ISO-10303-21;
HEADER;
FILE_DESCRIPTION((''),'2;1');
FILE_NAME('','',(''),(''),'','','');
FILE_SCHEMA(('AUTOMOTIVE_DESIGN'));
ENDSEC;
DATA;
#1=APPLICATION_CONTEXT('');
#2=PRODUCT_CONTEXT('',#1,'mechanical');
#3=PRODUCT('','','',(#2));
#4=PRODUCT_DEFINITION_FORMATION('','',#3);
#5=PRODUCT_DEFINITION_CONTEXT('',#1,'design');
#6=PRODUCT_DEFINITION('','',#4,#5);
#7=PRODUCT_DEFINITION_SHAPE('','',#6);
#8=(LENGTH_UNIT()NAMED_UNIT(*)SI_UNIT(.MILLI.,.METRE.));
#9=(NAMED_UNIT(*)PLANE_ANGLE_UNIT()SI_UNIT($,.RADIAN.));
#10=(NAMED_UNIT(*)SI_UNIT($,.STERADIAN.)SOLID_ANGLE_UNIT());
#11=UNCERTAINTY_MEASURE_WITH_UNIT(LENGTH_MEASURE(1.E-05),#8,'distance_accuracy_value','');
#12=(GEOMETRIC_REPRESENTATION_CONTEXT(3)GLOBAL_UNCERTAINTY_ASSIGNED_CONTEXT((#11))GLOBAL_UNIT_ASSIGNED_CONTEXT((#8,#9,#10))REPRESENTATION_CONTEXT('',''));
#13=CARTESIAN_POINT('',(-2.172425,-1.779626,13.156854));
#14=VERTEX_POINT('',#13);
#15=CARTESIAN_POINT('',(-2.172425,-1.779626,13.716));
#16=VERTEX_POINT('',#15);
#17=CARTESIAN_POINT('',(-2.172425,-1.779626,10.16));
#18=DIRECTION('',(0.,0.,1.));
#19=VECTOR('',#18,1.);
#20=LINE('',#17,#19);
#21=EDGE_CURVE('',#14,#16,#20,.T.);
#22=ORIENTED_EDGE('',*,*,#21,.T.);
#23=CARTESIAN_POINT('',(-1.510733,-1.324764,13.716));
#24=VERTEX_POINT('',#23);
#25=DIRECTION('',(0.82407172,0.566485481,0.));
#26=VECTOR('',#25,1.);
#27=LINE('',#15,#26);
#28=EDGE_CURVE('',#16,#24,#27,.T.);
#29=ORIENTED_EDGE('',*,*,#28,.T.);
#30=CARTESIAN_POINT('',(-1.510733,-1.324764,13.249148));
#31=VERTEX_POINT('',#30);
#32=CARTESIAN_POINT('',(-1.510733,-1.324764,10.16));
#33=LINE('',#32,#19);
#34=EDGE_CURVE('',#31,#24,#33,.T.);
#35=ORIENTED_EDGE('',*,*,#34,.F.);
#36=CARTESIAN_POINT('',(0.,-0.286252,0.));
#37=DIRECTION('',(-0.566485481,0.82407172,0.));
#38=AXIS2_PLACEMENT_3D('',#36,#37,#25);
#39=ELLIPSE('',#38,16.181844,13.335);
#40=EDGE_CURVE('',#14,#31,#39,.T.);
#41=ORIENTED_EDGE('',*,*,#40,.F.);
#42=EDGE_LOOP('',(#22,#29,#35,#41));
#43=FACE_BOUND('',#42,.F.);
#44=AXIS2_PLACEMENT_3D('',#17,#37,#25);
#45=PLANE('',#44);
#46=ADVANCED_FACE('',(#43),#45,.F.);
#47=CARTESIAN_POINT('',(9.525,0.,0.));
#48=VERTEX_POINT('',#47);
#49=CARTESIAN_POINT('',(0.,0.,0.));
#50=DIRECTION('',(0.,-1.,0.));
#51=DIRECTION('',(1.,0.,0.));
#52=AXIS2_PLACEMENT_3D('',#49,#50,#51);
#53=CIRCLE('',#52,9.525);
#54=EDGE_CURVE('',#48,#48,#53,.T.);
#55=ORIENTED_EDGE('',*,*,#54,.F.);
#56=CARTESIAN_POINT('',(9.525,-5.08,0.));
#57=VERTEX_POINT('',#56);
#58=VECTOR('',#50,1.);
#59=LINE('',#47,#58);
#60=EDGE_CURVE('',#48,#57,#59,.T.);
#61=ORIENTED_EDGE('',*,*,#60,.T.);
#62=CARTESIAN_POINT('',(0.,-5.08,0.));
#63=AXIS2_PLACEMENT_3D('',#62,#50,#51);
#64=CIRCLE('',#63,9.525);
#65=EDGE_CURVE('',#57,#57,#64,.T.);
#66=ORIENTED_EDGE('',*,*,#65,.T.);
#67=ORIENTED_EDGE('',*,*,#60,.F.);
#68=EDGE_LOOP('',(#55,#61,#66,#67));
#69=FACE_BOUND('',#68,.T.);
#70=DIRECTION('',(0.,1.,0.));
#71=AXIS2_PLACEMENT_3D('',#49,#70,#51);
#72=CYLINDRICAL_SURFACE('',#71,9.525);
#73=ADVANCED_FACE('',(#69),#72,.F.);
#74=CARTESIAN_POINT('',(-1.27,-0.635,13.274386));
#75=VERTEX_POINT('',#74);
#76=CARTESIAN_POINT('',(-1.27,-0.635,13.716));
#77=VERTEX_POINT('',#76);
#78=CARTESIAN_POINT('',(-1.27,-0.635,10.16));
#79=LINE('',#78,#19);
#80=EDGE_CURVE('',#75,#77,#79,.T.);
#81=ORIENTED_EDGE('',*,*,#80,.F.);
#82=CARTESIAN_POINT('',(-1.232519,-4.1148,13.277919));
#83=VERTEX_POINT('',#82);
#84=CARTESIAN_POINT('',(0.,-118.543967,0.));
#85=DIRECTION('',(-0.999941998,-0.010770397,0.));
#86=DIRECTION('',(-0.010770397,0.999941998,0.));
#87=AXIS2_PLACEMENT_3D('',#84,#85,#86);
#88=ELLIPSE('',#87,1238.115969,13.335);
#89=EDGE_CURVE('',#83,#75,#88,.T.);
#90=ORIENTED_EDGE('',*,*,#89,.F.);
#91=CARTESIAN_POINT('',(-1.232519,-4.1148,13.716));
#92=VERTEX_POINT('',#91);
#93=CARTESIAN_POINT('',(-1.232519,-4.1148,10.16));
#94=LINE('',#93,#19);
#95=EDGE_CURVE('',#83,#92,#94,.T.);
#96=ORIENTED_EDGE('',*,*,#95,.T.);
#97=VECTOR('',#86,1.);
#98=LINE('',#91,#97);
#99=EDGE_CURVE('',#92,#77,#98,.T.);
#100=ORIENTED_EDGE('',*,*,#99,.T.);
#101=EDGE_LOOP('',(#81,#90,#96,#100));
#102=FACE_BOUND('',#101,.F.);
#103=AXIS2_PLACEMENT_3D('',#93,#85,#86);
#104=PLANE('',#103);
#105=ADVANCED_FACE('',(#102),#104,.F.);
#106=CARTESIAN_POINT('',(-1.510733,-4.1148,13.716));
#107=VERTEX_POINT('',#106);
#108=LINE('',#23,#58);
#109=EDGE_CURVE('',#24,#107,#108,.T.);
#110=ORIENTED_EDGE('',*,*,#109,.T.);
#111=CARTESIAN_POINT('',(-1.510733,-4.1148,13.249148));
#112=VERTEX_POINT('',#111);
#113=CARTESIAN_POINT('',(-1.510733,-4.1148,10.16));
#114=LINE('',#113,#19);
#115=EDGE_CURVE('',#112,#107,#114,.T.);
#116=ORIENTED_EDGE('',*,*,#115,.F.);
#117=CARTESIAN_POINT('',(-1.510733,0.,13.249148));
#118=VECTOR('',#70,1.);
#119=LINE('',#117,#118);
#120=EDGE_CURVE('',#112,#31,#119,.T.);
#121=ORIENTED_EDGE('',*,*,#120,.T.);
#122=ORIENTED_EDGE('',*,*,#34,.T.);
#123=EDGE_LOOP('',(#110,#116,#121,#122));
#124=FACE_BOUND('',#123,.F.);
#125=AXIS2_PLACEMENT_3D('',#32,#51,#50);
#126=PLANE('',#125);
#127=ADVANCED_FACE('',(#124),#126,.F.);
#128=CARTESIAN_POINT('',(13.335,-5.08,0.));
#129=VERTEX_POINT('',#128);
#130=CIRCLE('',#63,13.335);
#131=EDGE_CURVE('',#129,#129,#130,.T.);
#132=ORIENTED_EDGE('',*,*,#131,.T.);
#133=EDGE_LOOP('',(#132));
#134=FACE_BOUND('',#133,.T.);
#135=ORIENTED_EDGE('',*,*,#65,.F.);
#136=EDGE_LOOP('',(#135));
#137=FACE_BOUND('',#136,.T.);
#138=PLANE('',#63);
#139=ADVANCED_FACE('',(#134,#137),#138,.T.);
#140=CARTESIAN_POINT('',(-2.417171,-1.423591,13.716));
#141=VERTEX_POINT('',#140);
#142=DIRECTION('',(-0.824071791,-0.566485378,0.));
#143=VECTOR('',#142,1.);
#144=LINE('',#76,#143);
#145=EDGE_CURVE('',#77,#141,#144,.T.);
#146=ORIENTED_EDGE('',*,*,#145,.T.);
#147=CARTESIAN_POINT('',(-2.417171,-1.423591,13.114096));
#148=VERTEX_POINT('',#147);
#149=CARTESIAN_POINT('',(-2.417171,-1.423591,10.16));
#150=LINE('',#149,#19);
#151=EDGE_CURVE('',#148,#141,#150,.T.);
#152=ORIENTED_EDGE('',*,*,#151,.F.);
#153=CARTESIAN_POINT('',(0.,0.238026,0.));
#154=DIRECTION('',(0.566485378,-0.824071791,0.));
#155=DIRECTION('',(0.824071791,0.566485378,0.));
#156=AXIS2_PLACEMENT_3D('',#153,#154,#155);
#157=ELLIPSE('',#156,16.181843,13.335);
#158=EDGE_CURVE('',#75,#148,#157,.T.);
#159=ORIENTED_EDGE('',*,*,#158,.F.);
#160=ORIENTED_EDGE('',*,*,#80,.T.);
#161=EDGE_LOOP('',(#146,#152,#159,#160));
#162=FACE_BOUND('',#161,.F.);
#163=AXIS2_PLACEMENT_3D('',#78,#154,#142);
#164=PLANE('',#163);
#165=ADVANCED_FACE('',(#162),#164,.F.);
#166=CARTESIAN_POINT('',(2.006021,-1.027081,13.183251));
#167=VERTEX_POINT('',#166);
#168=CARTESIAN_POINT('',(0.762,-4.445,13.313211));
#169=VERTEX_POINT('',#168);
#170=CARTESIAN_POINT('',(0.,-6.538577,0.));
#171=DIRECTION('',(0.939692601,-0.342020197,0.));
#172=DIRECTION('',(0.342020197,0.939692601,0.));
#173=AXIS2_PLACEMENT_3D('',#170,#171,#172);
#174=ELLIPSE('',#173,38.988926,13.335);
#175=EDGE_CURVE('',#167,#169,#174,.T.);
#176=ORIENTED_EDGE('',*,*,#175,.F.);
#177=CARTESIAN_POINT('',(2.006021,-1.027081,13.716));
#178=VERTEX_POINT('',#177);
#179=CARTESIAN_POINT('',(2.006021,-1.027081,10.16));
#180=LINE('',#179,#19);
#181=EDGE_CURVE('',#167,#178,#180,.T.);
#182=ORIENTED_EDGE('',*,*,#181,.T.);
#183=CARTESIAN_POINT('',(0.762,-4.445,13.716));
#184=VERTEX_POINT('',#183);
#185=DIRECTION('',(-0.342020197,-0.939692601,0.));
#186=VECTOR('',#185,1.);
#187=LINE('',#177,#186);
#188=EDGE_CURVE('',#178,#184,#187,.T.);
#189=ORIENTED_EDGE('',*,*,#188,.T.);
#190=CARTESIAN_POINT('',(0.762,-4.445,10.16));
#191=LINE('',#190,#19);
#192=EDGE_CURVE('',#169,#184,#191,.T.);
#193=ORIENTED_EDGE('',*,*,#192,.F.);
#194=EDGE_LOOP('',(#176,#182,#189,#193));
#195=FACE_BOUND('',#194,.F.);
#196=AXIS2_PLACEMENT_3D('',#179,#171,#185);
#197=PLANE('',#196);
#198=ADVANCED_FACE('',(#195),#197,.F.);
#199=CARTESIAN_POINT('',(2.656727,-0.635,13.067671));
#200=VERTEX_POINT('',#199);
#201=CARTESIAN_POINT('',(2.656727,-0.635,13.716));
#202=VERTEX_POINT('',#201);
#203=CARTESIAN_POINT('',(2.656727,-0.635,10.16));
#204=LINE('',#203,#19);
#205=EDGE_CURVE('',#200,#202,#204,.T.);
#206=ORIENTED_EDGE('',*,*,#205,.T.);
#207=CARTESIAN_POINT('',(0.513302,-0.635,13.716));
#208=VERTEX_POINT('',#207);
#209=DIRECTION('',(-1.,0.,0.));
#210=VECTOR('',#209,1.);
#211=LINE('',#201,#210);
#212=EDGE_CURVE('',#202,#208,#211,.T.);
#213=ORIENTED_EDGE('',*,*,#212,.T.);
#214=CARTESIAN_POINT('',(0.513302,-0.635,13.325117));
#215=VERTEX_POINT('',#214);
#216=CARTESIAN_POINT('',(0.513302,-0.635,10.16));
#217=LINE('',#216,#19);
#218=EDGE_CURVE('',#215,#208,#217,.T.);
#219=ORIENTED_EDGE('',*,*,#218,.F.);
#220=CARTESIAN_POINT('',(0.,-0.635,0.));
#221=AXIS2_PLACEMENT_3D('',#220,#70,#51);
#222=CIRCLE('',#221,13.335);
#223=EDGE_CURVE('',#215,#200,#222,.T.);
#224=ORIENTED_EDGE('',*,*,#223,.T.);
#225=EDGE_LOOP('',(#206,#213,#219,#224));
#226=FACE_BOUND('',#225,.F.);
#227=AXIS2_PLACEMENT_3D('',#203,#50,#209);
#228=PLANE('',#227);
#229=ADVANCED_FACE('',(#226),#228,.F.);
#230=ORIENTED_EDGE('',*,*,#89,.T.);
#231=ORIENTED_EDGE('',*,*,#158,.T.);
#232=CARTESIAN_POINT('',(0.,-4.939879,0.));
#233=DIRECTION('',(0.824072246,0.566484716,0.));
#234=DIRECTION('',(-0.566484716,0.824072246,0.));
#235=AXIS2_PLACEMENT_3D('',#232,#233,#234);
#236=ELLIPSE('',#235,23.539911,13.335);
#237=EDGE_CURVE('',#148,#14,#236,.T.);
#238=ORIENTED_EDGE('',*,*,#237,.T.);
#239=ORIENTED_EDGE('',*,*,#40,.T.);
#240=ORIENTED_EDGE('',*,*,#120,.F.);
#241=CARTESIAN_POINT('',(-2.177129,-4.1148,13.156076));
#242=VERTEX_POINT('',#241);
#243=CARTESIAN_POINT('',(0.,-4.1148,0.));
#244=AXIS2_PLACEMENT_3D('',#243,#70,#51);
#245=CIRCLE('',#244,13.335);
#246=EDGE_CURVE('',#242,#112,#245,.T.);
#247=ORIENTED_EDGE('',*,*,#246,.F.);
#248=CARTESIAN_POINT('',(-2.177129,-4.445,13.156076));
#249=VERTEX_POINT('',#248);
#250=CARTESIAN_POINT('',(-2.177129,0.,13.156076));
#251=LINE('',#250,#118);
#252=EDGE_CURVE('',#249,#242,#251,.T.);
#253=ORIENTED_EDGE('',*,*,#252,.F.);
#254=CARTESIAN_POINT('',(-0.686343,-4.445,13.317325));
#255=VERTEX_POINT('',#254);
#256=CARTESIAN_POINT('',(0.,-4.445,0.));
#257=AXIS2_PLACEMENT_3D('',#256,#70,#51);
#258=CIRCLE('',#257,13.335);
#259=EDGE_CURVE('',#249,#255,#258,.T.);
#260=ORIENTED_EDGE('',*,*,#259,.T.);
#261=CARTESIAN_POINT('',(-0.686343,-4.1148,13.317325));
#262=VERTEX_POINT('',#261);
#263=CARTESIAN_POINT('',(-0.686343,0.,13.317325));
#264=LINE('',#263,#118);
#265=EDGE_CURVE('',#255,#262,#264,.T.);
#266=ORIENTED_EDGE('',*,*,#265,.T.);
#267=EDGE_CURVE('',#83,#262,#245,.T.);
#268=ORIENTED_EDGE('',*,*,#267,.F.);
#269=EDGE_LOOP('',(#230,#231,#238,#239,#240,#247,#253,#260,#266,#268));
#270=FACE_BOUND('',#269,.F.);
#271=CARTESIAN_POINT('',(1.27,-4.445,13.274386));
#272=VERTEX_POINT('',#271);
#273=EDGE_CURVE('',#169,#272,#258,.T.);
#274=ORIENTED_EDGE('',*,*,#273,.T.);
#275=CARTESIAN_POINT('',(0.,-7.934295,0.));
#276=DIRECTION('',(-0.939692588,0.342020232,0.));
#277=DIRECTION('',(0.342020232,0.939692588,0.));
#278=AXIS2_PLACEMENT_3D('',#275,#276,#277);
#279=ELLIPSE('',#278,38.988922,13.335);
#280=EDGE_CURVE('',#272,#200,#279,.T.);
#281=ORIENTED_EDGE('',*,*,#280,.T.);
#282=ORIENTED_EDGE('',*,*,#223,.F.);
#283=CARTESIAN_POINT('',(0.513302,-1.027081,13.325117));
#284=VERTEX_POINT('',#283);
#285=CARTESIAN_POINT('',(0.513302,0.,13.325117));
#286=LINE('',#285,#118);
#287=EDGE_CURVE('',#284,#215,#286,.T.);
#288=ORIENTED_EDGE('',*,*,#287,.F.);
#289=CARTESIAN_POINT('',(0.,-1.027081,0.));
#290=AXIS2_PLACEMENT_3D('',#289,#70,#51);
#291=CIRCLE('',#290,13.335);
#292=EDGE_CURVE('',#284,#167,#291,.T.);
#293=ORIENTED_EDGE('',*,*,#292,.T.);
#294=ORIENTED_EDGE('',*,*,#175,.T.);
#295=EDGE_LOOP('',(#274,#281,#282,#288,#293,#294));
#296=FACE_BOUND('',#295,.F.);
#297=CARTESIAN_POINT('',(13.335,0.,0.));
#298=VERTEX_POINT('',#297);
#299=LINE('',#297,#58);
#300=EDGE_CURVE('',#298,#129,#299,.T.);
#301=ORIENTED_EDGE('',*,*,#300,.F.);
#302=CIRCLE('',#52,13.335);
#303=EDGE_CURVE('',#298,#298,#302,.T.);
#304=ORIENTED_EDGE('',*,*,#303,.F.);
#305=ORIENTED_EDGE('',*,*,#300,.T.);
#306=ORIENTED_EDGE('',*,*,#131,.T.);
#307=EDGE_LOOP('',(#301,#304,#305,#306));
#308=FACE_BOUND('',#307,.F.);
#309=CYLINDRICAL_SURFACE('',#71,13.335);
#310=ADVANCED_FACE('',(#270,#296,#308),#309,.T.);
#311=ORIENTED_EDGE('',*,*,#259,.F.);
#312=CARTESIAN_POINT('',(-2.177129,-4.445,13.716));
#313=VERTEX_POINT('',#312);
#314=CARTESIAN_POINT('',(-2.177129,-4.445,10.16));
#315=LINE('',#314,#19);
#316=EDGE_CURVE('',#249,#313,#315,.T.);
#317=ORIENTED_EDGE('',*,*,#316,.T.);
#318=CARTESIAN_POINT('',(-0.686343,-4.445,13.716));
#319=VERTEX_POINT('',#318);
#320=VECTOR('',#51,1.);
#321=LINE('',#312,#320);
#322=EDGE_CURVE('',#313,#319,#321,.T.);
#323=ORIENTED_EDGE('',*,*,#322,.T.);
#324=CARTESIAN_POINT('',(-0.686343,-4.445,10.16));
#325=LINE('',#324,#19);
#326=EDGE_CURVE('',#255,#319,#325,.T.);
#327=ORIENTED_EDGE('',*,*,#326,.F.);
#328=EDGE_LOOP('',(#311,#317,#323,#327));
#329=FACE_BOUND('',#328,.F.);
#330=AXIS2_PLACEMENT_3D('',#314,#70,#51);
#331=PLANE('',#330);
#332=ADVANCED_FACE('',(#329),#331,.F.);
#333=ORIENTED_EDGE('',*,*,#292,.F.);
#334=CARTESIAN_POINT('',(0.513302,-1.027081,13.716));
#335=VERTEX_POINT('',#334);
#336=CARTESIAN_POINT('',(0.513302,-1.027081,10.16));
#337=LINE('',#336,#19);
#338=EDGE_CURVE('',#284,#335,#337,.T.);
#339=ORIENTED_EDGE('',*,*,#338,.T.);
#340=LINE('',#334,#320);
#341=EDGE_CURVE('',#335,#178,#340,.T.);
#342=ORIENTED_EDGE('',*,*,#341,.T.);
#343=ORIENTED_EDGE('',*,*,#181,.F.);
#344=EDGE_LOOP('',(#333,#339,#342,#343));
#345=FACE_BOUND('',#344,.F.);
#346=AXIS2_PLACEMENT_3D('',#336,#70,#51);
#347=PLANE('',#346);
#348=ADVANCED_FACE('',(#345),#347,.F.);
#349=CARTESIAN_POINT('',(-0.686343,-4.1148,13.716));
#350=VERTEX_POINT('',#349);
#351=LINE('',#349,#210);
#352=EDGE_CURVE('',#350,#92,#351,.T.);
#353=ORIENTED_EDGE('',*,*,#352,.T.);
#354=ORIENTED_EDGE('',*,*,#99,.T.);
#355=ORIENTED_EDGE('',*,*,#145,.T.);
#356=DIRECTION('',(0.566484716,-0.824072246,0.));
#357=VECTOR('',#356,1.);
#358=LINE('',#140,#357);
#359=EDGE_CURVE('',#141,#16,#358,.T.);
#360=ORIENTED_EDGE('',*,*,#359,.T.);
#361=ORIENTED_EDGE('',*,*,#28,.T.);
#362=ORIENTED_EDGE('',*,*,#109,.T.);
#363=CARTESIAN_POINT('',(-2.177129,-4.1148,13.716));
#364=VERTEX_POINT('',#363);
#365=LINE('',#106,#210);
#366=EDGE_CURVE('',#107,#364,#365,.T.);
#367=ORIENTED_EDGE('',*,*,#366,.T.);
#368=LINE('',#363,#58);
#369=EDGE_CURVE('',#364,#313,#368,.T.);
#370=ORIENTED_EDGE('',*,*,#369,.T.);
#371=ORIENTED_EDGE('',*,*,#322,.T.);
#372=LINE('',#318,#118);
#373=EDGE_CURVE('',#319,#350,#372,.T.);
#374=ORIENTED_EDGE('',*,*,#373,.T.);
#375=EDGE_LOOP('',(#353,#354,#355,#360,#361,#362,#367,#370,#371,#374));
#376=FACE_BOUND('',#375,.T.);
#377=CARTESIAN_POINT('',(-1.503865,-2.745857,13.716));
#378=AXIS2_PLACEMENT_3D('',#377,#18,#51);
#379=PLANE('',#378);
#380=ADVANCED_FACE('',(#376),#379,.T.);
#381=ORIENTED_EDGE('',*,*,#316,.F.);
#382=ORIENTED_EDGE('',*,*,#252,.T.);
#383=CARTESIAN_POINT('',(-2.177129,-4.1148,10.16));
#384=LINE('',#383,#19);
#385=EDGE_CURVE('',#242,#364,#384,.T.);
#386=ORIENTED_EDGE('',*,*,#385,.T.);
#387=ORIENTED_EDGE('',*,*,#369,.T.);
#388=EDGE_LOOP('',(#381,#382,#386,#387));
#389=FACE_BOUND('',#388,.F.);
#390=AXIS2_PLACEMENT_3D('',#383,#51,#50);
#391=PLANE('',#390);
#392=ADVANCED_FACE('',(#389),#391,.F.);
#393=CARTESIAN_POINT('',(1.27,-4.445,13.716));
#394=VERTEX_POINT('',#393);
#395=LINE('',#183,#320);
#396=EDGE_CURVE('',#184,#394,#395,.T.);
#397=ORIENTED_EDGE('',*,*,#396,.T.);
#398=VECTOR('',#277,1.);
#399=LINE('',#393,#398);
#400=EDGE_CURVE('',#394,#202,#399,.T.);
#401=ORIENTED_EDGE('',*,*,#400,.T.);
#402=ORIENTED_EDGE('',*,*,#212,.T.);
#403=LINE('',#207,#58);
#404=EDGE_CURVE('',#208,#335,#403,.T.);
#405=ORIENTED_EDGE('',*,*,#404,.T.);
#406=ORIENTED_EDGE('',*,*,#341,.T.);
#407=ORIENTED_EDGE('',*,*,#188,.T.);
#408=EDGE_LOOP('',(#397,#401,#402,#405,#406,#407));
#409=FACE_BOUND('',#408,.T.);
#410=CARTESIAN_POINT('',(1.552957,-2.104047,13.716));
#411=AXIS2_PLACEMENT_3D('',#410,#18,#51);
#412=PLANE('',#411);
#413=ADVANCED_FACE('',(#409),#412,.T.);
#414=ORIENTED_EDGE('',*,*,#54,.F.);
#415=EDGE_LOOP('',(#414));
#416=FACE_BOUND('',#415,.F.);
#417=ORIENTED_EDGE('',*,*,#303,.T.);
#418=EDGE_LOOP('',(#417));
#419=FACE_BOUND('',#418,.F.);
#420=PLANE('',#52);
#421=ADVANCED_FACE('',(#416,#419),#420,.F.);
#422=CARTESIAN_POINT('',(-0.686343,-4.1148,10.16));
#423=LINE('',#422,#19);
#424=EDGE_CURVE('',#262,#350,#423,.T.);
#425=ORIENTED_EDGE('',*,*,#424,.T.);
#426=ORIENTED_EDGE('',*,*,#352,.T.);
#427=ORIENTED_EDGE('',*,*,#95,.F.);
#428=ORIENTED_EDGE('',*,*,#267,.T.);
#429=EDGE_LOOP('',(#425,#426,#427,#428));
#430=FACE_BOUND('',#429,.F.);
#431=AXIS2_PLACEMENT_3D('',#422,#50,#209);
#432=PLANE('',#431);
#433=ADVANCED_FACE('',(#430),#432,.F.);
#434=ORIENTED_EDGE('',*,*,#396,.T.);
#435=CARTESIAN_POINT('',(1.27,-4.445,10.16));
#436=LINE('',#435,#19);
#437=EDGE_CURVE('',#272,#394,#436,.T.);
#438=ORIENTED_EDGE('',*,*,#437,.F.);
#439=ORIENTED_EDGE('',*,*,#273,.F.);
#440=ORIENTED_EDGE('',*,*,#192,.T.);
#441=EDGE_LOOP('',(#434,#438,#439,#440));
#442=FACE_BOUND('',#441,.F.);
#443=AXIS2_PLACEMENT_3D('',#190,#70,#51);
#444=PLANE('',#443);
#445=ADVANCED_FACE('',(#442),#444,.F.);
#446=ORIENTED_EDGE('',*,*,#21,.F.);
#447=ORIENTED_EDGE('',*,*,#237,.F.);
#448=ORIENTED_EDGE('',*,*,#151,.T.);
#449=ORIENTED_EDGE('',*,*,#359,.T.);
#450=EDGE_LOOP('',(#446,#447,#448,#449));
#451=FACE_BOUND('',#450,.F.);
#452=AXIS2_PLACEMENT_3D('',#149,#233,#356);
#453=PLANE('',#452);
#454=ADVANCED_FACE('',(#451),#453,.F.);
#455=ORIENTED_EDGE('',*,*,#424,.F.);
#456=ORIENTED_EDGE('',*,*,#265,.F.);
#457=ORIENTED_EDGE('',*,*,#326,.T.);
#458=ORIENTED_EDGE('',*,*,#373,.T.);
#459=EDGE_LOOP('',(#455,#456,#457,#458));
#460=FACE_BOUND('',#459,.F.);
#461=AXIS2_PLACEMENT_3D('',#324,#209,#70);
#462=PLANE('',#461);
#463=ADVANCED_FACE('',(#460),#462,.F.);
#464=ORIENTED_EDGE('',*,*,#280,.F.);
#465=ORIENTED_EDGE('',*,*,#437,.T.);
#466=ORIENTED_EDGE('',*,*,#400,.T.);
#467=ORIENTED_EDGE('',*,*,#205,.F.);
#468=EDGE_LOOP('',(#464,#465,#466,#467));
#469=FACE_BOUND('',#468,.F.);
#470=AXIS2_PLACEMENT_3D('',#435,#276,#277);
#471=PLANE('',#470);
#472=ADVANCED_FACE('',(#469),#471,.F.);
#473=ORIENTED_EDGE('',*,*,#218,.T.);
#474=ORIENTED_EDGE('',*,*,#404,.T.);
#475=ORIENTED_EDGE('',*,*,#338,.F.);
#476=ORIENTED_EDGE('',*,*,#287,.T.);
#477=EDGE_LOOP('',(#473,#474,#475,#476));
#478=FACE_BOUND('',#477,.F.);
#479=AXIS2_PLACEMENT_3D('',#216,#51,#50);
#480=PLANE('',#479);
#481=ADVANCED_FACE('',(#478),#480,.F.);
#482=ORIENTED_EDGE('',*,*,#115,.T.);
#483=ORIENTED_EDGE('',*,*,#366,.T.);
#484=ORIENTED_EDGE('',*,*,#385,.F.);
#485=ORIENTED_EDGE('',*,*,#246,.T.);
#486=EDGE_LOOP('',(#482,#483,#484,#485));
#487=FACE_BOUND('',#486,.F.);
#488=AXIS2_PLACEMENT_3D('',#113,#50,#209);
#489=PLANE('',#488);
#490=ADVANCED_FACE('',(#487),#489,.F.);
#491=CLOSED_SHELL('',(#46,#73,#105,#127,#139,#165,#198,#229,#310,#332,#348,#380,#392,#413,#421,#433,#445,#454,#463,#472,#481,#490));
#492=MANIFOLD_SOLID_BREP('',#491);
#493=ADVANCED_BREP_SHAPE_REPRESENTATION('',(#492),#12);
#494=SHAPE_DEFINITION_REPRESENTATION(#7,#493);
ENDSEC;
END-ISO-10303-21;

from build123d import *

# Parameters (mm, degrees)
F0_R     = 13.335
F0_R_2   = 9.525
F1_DEPTH = 5.08
F4_DEPTH = 3.556


with BuildPart() as f1:
    # F0 (on Front) → F1 (new body)
    with BuildSketch(Plane.XZ):
        Circle(F0_R)
        Circle(F0_R_2, mode=Mode.SUBTRACT)
    extrude(amount=F1_DEPTH)

    # F3 (on offset) → F4 (join)
    with BuildSketch(Plane.XY.offset(10.16)):
        Polygon((-1.232519, -4.1148), (-1.27, -0.635), (-2.417171, -1.423591), (-2.172425, -1.779626), (-1.510733, -1.324764), (-1.510733, -4.1148), (-2.177129, -4.1148), (-2.177129, -4.445), (-0.686343, -4.445), (-0.686343, -4.1148), align=None)
        Polygon((2.006021, -1.027081), (0.762, -4.445), (1.27, -4.445), (2.656727, -0.635), (0.513302, -0.635), (0.513302, -1.027081), align=None)
    extrude(amount=F4_DEPTH)


solid = f1.part
